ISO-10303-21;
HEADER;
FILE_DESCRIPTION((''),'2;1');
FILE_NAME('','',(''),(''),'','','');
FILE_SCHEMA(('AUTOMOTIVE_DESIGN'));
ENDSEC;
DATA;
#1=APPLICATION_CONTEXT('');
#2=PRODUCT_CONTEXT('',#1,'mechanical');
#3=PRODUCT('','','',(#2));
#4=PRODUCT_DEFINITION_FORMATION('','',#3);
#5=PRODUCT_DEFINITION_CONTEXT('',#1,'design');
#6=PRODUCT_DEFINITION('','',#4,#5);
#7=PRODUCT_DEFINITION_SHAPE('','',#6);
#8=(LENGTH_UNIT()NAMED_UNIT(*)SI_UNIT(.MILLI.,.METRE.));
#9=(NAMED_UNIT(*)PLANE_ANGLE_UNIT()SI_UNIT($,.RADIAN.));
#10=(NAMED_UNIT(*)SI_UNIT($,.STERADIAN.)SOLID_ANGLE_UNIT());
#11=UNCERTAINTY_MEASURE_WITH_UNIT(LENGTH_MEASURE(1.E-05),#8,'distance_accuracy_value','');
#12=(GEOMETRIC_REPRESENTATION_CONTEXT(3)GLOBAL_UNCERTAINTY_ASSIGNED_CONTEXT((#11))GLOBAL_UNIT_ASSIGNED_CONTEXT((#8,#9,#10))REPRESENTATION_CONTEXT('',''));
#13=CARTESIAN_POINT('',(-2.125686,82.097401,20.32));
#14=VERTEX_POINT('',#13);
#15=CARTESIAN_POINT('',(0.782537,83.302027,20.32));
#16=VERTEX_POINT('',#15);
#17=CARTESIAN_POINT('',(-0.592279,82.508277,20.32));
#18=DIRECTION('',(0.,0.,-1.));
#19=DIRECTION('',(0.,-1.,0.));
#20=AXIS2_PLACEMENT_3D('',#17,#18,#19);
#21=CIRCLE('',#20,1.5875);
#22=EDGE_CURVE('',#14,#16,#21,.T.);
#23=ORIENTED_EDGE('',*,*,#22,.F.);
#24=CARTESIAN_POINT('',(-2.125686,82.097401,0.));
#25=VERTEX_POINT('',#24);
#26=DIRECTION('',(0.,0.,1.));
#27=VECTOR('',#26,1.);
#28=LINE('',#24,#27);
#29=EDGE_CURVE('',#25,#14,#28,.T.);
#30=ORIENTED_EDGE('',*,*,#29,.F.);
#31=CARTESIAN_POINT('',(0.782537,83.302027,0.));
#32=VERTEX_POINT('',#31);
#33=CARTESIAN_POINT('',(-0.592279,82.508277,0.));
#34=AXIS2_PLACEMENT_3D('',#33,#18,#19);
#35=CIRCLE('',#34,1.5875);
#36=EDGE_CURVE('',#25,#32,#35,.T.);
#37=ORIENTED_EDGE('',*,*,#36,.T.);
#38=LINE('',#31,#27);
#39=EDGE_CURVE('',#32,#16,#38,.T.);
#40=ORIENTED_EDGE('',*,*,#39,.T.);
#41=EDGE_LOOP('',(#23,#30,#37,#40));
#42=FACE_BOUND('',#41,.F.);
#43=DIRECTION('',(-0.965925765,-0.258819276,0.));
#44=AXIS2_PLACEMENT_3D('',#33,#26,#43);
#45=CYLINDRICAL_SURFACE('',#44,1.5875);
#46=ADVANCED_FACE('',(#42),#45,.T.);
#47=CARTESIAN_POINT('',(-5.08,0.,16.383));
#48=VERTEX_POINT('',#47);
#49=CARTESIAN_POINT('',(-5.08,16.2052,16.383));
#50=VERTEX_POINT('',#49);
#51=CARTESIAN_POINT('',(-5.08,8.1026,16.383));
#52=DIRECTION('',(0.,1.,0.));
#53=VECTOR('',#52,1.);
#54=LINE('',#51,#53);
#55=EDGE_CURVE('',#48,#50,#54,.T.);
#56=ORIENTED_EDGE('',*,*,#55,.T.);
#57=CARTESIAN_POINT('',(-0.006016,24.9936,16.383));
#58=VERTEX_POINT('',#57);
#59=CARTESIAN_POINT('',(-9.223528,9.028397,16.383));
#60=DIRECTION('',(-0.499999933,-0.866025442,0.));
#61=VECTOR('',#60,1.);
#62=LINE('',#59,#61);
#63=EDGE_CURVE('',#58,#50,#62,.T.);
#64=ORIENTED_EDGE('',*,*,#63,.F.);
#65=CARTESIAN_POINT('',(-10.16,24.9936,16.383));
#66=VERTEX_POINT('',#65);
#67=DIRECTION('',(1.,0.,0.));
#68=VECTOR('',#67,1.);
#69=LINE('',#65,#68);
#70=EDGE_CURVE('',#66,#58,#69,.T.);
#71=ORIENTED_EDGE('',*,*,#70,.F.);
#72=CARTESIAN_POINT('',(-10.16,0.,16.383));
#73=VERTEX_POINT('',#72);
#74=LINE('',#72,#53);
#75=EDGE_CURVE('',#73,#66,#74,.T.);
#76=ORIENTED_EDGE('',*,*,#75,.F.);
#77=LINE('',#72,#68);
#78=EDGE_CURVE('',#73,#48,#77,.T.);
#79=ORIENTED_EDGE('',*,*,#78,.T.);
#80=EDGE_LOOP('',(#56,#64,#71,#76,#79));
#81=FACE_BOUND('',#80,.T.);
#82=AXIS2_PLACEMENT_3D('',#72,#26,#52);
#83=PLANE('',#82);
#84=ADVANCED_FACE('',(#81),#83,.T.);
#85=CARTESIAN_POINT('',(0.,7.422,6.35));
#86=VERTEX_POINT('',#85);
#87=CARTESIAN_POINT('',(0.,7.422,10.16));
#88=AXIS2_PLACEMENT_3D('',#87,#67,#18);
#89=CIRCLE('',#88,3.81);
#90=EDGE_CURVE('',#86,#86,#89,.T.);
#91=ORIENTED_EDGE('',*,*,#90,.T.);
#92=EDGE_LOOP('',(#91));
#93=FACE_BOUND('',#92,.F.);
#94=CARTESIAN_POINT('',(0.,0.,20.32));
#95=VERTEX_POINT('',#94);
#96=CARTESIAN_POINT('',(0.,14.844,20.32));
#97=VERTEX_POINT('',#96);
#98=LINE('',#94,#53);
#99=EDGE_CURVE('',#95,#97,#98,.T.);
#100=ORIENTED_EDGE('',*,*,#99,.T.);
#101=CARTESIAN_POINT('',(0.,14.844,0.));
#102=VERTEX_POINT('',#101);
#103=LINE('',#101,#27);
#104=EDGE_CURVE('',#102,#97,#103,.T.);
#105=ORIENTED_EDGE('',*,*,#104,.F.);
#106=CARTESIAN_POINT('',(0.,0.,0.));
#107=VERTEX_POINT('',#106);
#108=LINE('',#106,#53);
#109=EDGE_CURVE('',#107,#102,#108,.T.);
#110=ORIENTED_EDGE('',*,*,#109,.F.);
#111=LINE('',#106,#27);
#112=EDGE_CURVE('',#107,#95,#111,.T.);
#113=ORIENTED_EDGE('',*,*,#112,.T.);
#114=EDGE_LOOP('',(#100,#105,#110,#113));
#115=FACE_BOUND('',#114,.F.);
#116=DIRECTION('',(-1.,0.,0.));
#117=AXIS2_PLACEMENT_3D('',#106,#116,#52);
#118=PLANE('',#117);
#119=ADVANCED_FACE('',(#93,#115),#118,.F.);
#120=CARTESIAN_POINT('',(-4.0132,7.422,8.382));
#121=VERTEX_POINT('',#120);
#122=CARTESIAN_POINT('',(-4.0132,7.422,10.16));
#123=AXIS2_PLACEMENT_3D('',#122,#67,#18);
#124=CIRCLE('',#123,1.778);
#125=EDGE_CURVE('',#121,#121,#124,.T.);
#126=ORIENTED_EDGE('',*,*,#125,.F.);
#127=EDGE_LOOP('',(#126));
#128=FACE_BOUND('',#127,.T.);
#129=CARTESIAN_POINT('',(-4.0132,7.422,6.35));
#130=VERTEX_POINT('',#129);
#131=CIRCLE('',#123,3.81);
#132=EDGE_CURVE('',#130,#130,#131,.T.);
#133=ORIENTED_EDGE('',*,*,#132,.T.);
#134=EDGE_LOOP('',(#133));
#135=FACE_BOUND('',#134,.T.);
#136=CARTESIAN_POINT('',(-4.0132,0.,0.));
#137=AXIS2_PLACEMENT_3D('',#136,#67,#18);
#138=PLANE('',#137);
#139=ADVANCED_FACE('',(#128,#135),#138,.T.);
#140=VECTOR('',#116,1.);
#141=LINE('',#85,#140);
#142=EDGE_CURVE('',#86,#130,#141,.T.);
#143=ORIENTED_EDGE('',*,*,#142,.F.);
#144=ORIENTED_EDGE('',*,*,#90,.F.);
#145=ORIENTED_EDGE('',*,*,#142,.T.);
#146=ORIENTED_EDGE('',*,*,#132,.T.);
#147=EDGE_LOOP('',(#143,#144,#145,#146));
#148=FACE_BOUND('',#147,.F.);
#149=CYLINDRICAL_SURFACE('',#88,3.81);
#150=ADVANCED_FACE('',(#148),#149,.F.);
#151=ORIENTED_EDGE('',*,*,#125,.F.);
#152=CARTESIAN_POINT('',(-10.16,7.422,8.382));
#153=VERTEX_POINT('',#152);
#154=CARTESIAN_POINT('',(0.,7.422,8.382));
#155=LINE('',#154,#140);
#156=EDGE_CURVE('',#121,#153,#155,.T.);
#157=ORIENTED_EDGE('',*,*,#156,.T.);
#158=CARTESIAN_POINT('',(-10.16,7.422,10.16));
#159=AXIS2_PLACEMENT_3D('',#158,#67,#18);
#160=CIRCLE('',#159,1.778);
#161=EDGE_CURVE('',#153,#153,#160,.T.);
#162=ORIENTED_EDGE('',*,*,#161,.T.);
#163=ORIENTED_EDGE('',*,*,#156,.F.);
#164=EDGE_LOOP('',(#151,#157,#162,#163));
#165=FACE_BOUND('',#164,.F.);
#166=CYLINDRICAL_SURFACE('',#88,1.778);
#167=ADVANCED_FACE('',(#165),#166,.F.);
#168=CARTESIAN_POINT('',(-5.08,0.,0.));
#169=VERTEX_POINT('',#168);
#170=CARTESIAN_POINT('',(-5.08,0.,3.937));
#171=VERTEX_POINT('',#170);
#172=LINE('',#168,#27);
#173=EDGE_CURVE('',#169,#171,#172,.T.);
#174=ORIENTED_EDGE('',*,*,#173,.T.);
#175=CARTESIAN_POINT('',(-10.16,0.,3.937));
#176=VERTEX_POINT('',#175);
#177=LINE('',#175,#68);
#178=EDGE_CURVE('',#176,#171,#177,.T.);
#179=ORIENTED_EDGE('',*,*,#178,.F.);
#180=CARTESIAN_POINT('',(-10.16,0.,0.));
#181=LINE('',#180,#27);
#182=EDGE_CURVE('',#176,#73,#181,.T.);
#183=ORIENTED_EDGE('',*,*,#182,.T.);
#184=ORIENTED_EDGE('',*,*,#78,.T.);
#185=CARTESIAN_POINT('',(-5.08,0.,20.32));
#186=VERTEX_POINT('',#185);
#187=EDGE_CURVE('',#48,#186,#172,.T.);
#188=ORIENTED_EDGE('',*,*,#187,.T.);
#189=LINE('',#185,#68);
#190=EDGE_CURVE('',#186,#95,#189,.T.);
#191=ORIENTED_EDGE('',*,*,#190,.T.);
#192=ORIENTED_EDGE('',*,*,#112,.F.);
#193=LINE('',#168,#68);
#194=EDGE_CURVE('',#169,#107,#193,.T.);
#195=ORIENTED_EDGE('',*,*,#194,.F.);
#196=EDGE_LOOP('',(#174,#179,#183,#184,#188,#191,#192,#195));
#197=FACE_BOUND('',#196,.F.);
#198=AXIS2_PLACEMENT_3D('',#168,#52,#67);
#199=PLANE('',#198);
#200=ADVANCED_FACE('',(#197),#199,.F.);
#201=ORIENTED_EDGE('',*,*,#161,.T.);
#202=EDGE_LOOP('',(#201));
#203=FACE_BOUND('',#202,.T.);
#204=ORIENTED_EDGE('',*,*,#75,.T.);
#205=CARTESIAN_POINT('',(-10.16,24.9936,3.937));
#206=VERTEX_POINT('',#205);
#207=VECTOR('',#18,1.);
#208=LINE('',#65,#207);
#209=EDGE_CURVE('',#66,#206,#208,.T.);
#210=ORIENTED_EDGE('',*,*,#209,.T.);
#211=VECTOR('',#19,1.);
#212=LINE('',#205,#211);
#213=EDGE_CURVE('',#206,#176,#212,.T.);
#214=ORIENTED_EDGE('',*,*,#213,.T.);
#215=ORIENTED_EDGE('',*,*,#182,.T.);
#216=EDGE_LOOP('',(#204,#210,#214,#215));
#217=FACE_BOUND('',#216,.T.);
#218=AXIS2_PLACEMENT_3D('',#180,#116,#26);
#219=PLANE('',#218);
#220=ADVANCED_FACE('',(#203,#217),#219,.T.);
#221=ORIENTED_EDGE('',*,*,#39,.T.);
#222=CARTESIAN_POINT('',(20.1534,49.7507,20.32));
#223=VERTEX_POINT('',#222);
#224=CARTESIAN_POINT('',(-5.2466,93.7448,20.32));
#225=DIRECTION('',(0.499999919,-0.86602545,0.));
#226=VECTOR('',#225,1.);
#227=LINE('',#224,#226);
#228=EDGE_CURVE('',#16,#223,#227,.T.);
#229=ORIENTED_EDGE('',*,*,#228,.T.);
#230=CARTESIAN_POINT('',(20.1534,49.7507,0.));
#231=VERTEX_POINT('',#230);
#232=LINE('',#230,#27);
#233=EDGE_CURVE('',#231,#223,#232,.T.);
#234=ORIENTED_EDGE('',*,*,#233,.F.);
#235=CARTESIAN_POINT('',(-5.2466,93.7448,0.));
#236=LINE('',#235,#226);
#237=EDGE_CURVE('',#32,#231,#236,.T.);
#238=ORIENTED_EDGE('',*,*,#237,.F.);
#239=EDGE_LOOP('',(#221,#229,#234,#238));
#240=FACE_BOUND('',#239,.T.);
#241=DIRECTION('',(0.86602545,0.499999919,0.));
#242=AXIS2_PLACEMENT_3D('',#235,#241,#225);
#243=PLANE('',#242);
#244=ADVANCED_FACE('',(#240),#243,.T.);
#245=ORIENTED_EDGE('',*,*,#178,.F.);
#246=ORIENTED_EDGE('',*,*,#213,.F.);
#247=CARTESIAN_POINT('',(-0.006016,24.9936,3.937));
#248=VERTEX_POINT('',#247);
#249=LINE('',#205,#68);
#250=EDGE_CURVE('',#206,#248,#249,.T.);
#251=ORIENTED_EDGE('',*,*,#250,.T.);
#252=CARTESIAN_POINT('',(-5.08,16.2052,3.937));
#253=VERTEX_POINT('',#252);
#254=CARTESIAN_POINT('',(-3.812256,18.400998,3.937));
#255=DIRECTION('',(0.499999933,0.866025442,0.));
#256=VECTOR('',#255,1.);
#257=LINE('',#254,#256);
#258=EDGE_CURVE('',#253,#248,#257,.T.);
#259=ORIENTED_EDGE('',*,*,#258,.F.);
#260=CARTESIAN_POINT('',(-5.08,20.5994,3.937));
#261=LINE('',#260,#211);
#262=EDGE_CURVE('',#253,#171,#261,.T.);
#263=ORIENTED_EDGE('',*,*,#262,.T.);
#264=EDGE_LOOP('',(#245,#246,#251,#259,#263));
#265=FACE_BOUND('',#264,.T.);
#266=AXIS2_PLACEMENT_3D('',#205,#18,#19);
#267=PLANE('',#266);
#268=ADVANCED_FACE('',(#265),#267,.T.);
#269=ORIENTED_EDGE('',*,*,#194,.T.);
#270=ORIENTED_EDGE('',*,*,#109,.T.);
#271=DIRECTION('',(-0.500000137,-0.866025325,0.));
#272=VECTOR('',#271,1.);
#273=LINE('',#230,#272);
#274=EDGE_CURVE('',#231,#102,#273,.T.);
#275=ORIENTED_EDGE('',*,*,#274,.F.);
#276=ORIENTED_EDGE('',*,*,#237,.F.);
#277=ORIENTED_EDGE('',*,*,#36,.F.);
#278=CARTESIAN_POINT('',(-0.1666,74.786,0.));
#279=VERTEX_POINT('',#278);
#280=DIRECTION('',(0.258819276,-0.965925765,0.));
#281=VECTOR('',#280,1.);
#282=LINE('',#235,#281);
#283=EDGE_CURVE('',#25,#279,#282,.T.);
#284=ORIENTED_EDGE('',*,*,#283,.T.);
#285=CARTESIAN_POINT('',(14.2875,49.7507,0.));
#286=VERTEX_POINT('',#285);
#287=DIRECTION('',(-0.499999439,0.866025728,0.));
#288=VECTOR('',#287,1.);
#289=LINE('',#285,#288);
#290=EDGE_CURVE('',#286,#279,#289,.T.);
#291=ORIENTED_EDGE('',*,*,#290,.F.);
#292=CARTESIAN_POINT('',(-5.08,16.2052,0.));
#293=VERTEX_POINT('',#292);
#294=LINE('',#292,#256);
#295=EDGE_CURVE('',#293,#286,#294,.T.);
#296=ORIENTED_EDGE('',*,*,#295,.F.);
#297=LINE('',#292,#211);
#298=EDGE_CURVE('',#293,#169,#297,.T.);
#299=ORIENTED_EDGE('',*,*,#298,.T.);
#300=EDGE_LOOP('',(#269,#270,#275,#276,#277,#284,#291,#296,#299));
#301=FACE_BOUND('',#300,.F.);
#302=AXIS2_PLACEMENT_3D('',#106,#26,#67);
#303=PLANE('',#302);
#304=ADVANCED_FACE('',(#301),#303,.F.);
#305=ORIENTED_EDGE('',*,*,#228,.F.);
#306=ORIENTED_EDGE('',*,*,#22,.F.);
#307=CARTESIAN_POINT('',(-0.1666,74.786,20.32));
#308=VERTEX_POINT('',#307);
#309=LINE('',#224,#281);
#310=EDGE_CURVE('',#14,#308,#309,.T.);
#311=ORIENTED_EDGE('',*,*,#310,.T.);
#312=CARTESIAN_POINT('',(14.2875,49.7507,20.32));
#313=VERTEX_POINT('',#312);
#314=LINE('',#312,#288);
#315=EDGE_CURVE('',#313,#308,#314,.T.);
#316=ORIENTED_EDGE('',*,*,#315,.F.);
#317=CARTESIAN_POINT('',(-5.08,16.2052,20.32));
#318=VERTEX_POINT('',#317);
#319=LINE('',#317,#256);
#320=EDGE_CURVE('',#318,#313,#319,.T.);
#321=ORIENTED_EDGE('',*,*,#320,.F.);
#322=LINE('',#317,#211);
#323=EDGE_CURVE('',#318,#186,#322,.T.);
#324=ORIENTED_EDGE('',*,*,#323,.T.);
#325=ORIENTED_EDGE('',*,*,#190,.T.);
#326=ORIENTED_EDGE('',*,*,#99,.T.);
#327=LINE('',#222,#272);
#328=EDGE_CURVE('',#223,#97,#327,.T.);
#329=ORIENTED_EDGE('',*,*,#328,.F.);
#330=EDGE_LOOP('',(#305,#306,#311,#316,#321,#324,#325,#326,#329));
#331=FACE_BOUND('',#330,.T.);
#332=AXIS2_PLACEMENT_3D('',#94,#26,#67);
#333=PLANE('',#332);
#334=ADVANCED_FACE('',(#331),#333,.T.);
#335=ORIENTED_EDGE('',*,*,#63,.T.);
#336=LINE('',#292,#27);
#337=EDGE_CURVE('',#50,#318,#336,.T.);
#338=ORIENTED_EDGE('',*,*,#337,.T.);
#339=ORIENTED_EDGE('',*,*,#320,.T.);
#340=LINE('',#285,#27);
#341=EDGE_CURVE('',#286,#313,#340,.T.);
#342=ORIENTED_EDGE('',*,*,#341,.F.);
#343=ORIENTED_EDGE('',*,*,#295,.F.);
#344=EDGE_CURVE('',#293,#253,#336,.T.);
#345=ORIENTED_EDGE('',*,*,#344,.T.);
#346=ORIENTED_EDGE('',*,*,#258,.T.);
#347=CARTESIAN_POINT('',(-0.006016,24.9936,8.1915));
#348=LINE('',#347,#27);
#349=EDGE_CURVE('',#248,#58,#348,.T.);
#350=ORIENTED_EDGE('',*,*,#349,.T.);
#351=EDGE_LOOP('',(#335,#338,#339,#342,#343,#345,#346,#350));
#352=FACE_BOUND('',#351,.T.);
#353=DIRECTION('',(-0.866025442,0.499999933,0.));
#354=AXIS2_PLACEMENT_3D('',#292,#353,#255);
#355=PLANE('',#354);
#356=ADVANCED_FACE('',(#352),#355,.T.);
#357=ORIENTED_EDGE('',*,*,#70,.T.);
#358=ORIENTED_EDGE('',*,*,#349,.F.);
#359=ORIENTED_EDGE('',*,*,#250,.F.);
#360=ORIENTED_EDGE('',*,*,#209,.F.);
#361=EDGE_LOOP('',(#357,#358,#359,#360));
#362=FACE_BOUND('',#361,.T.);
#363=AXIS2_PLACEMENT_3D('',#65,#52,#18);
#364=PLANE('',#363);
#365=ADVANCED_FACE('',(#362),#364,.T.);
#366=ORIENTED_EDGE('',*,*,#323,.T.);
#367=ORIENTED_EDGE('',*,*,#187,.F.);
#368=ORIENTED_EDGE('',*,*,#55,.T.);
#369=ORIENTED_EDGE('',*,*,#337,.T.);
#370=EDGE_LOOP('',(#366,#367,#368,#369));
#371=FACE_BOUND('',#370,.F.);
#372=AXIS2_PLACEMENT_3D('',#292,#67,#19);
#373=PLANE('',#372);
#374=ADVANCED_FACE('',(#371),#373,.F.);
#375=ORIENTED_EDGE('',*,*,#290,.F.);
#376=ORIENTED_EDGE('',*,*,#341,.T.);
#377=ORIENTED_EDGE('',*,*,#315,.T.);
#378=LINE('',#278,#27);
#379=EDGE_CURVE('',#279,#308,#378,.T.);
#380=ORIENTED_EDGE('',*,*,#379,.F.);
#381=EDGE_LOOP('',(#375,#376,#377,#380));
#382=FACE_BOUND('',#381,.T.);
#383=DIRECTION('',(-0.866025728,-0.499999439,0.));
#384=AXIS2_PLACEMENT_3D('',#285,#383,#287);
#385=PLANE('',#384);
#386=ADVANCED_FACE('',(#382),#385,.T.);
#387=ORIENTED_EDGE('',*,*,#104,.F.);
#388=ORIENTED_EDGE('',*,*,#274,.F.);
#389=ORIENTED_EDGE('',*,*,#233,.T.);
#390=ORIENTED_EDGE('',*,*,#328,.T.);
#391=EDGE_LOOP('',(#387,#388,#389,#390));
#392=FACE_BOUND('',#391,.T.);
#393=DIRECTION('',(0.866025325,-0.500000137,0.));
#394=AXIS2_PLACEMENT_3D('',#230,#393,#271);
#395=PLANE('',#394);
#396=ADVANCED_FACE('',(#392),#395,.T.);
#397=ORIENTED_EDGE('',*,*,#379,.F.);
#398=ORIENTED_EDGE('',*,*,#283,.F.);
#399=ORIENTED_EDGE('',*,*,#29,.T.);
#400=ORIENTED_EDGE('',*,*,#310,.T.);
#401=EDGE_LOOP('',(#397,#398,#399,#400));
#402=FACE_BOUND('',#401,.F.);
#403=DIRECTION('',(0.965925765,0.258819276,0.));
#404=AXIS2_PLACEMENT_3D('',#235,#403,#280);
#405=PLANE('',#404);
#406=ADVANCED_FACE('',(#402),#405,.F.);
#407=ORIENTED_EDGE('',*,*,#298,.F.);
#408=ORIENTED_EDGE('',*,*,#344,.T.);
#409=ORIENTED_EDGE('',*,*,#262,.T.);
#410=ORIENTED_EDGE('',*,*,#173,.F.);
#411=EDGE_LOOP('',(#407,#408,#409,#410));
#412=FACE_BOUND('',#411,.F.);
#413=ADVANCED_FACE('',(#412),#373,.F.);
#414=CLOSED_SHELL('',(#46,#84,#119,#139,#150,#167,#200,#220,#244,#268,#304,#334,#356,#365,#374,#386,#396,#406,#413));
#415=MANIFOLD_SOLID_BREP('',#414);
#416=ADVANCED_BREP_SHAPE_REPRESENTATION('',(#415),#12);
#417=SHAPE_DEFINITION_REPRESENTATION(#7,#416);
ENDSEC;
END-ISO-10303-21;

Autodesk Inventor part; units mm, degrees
ref_plane "YZ Plane" through (0, 0, 0) normal (1, 0, 0) x (0, 1, 0)
ref_plane "XZ Plane" through (0, 0, 0) normal (0, 1, 0) x (-1, 0, 0)
ref_plane "XY Plane" through (0, 0, 0) normal (0, 0, 1) x (1, 0, 0)
sketch "Sketch1" plane through (0, 0, 0) normal (0, 0, 1) x (1, 0, 0)
  line L0 (0, 0) -> (0, 14.844)
  line L1 (-5.08, 16.2052) -> (-5.08, 0)
  line L2 (-5.08, 0) -> (0, 0)
  line L3 (-5.08, 16.2052) -> (14.2875, 49.7507)
  line L4 (14.2875, 49.7507) -> (-9.646, 91.2048)
  line L5 (-9.646, 91.2048) -> (-5.2466, 93.7448)
  line L6 (-5.2466, 93.7448) -> (20.1534, 49.7507)
  line L7 (20.1534, 49.7507) -> (0, 14.844)
  line L8 (-5.2466, 93.7448) -> (-0.1666, 74.786)
  dimension "d0" = 16.2052
  dimension "d1" = 5.08
  dimension "d6" = 5.08
  dimension "d7" = 5.08
  dimension "d8" = 30
  dimension "d10" = 120
  dimension "d11" = 50.8
  dimension "d12" = 38.735
  dimension "d13" = 15
extrude "Extrusion1" add sketch "Sketch1" along normal blind 20.32 contours L2 L1 L3 L4 L8 L6 L7 L0
fillet "Fillet1" radius 1.5875 1 edges at (-5.2466, 93.7448, 10.16)
ref_plane "Work Plane1" through (-10.16, 0, 0) normal (-1, 0, 0) x (0, 0, 1)
sketch "Sketch2" plane through (-10.16, 0, 0) normal (-1, 0, 0) x (0, 0, 1)
  line L0 (0, 0) -> (20.32, 0) projected
  line L1 (3.937, 0) -> (16.383, 0)
  line L2 (16.383, 0) -> (16.383, 24.9936)
  line L3 (16.383, 24.9936) -> (3.937, 24.9936)
  line L4 (3.937, 24.9936) -> (3.937, 0)
  point P0 (10.16, 0)
  point P1 (16.383, 0)
  dimension "d16" = 12.446
  dimension "d17" = 24.9936
  dimension "d18" = 6.223
extrude "Extrusion2" add sketch "Sketch2" against normal up to next
sketch "Sketch3" plane through (0, 0, 0) normal (1, 0, 0) x (0, 0, -1)
  circle A0 centre (-10.16, 7.422) radius 1.778
  line L0 (0, 0) -> (0, 14.844) projected
  line L1 (0, 0) -> (-20.32, 0) projected
  point P0 (0, 7.422)
  point P1 (-10.16, 0)
  dimension "d23" = 3.556
extrude "Extrusion3" cut sketch "Sketch3" against normal blind 15.875
sketch "Sketch4" plane through (0, 0, 0) normal (1, 0, 0) x (0, 0, -1)
  circle A0 centre (-10.16, 7.422) radius 1.778 projected
  circle A1 centre (-10.16, 7.422) radius 3.81
  point P0 (0, 0)
  dimension "d24" = 7.62
extrude "Extrusion4" cut sketch "Sketch4" against normal blind 4.0132 contours A0 | A1
equation "\"d18\" = 0.5 * d16"
properties part number "KNUCKLE 1"
